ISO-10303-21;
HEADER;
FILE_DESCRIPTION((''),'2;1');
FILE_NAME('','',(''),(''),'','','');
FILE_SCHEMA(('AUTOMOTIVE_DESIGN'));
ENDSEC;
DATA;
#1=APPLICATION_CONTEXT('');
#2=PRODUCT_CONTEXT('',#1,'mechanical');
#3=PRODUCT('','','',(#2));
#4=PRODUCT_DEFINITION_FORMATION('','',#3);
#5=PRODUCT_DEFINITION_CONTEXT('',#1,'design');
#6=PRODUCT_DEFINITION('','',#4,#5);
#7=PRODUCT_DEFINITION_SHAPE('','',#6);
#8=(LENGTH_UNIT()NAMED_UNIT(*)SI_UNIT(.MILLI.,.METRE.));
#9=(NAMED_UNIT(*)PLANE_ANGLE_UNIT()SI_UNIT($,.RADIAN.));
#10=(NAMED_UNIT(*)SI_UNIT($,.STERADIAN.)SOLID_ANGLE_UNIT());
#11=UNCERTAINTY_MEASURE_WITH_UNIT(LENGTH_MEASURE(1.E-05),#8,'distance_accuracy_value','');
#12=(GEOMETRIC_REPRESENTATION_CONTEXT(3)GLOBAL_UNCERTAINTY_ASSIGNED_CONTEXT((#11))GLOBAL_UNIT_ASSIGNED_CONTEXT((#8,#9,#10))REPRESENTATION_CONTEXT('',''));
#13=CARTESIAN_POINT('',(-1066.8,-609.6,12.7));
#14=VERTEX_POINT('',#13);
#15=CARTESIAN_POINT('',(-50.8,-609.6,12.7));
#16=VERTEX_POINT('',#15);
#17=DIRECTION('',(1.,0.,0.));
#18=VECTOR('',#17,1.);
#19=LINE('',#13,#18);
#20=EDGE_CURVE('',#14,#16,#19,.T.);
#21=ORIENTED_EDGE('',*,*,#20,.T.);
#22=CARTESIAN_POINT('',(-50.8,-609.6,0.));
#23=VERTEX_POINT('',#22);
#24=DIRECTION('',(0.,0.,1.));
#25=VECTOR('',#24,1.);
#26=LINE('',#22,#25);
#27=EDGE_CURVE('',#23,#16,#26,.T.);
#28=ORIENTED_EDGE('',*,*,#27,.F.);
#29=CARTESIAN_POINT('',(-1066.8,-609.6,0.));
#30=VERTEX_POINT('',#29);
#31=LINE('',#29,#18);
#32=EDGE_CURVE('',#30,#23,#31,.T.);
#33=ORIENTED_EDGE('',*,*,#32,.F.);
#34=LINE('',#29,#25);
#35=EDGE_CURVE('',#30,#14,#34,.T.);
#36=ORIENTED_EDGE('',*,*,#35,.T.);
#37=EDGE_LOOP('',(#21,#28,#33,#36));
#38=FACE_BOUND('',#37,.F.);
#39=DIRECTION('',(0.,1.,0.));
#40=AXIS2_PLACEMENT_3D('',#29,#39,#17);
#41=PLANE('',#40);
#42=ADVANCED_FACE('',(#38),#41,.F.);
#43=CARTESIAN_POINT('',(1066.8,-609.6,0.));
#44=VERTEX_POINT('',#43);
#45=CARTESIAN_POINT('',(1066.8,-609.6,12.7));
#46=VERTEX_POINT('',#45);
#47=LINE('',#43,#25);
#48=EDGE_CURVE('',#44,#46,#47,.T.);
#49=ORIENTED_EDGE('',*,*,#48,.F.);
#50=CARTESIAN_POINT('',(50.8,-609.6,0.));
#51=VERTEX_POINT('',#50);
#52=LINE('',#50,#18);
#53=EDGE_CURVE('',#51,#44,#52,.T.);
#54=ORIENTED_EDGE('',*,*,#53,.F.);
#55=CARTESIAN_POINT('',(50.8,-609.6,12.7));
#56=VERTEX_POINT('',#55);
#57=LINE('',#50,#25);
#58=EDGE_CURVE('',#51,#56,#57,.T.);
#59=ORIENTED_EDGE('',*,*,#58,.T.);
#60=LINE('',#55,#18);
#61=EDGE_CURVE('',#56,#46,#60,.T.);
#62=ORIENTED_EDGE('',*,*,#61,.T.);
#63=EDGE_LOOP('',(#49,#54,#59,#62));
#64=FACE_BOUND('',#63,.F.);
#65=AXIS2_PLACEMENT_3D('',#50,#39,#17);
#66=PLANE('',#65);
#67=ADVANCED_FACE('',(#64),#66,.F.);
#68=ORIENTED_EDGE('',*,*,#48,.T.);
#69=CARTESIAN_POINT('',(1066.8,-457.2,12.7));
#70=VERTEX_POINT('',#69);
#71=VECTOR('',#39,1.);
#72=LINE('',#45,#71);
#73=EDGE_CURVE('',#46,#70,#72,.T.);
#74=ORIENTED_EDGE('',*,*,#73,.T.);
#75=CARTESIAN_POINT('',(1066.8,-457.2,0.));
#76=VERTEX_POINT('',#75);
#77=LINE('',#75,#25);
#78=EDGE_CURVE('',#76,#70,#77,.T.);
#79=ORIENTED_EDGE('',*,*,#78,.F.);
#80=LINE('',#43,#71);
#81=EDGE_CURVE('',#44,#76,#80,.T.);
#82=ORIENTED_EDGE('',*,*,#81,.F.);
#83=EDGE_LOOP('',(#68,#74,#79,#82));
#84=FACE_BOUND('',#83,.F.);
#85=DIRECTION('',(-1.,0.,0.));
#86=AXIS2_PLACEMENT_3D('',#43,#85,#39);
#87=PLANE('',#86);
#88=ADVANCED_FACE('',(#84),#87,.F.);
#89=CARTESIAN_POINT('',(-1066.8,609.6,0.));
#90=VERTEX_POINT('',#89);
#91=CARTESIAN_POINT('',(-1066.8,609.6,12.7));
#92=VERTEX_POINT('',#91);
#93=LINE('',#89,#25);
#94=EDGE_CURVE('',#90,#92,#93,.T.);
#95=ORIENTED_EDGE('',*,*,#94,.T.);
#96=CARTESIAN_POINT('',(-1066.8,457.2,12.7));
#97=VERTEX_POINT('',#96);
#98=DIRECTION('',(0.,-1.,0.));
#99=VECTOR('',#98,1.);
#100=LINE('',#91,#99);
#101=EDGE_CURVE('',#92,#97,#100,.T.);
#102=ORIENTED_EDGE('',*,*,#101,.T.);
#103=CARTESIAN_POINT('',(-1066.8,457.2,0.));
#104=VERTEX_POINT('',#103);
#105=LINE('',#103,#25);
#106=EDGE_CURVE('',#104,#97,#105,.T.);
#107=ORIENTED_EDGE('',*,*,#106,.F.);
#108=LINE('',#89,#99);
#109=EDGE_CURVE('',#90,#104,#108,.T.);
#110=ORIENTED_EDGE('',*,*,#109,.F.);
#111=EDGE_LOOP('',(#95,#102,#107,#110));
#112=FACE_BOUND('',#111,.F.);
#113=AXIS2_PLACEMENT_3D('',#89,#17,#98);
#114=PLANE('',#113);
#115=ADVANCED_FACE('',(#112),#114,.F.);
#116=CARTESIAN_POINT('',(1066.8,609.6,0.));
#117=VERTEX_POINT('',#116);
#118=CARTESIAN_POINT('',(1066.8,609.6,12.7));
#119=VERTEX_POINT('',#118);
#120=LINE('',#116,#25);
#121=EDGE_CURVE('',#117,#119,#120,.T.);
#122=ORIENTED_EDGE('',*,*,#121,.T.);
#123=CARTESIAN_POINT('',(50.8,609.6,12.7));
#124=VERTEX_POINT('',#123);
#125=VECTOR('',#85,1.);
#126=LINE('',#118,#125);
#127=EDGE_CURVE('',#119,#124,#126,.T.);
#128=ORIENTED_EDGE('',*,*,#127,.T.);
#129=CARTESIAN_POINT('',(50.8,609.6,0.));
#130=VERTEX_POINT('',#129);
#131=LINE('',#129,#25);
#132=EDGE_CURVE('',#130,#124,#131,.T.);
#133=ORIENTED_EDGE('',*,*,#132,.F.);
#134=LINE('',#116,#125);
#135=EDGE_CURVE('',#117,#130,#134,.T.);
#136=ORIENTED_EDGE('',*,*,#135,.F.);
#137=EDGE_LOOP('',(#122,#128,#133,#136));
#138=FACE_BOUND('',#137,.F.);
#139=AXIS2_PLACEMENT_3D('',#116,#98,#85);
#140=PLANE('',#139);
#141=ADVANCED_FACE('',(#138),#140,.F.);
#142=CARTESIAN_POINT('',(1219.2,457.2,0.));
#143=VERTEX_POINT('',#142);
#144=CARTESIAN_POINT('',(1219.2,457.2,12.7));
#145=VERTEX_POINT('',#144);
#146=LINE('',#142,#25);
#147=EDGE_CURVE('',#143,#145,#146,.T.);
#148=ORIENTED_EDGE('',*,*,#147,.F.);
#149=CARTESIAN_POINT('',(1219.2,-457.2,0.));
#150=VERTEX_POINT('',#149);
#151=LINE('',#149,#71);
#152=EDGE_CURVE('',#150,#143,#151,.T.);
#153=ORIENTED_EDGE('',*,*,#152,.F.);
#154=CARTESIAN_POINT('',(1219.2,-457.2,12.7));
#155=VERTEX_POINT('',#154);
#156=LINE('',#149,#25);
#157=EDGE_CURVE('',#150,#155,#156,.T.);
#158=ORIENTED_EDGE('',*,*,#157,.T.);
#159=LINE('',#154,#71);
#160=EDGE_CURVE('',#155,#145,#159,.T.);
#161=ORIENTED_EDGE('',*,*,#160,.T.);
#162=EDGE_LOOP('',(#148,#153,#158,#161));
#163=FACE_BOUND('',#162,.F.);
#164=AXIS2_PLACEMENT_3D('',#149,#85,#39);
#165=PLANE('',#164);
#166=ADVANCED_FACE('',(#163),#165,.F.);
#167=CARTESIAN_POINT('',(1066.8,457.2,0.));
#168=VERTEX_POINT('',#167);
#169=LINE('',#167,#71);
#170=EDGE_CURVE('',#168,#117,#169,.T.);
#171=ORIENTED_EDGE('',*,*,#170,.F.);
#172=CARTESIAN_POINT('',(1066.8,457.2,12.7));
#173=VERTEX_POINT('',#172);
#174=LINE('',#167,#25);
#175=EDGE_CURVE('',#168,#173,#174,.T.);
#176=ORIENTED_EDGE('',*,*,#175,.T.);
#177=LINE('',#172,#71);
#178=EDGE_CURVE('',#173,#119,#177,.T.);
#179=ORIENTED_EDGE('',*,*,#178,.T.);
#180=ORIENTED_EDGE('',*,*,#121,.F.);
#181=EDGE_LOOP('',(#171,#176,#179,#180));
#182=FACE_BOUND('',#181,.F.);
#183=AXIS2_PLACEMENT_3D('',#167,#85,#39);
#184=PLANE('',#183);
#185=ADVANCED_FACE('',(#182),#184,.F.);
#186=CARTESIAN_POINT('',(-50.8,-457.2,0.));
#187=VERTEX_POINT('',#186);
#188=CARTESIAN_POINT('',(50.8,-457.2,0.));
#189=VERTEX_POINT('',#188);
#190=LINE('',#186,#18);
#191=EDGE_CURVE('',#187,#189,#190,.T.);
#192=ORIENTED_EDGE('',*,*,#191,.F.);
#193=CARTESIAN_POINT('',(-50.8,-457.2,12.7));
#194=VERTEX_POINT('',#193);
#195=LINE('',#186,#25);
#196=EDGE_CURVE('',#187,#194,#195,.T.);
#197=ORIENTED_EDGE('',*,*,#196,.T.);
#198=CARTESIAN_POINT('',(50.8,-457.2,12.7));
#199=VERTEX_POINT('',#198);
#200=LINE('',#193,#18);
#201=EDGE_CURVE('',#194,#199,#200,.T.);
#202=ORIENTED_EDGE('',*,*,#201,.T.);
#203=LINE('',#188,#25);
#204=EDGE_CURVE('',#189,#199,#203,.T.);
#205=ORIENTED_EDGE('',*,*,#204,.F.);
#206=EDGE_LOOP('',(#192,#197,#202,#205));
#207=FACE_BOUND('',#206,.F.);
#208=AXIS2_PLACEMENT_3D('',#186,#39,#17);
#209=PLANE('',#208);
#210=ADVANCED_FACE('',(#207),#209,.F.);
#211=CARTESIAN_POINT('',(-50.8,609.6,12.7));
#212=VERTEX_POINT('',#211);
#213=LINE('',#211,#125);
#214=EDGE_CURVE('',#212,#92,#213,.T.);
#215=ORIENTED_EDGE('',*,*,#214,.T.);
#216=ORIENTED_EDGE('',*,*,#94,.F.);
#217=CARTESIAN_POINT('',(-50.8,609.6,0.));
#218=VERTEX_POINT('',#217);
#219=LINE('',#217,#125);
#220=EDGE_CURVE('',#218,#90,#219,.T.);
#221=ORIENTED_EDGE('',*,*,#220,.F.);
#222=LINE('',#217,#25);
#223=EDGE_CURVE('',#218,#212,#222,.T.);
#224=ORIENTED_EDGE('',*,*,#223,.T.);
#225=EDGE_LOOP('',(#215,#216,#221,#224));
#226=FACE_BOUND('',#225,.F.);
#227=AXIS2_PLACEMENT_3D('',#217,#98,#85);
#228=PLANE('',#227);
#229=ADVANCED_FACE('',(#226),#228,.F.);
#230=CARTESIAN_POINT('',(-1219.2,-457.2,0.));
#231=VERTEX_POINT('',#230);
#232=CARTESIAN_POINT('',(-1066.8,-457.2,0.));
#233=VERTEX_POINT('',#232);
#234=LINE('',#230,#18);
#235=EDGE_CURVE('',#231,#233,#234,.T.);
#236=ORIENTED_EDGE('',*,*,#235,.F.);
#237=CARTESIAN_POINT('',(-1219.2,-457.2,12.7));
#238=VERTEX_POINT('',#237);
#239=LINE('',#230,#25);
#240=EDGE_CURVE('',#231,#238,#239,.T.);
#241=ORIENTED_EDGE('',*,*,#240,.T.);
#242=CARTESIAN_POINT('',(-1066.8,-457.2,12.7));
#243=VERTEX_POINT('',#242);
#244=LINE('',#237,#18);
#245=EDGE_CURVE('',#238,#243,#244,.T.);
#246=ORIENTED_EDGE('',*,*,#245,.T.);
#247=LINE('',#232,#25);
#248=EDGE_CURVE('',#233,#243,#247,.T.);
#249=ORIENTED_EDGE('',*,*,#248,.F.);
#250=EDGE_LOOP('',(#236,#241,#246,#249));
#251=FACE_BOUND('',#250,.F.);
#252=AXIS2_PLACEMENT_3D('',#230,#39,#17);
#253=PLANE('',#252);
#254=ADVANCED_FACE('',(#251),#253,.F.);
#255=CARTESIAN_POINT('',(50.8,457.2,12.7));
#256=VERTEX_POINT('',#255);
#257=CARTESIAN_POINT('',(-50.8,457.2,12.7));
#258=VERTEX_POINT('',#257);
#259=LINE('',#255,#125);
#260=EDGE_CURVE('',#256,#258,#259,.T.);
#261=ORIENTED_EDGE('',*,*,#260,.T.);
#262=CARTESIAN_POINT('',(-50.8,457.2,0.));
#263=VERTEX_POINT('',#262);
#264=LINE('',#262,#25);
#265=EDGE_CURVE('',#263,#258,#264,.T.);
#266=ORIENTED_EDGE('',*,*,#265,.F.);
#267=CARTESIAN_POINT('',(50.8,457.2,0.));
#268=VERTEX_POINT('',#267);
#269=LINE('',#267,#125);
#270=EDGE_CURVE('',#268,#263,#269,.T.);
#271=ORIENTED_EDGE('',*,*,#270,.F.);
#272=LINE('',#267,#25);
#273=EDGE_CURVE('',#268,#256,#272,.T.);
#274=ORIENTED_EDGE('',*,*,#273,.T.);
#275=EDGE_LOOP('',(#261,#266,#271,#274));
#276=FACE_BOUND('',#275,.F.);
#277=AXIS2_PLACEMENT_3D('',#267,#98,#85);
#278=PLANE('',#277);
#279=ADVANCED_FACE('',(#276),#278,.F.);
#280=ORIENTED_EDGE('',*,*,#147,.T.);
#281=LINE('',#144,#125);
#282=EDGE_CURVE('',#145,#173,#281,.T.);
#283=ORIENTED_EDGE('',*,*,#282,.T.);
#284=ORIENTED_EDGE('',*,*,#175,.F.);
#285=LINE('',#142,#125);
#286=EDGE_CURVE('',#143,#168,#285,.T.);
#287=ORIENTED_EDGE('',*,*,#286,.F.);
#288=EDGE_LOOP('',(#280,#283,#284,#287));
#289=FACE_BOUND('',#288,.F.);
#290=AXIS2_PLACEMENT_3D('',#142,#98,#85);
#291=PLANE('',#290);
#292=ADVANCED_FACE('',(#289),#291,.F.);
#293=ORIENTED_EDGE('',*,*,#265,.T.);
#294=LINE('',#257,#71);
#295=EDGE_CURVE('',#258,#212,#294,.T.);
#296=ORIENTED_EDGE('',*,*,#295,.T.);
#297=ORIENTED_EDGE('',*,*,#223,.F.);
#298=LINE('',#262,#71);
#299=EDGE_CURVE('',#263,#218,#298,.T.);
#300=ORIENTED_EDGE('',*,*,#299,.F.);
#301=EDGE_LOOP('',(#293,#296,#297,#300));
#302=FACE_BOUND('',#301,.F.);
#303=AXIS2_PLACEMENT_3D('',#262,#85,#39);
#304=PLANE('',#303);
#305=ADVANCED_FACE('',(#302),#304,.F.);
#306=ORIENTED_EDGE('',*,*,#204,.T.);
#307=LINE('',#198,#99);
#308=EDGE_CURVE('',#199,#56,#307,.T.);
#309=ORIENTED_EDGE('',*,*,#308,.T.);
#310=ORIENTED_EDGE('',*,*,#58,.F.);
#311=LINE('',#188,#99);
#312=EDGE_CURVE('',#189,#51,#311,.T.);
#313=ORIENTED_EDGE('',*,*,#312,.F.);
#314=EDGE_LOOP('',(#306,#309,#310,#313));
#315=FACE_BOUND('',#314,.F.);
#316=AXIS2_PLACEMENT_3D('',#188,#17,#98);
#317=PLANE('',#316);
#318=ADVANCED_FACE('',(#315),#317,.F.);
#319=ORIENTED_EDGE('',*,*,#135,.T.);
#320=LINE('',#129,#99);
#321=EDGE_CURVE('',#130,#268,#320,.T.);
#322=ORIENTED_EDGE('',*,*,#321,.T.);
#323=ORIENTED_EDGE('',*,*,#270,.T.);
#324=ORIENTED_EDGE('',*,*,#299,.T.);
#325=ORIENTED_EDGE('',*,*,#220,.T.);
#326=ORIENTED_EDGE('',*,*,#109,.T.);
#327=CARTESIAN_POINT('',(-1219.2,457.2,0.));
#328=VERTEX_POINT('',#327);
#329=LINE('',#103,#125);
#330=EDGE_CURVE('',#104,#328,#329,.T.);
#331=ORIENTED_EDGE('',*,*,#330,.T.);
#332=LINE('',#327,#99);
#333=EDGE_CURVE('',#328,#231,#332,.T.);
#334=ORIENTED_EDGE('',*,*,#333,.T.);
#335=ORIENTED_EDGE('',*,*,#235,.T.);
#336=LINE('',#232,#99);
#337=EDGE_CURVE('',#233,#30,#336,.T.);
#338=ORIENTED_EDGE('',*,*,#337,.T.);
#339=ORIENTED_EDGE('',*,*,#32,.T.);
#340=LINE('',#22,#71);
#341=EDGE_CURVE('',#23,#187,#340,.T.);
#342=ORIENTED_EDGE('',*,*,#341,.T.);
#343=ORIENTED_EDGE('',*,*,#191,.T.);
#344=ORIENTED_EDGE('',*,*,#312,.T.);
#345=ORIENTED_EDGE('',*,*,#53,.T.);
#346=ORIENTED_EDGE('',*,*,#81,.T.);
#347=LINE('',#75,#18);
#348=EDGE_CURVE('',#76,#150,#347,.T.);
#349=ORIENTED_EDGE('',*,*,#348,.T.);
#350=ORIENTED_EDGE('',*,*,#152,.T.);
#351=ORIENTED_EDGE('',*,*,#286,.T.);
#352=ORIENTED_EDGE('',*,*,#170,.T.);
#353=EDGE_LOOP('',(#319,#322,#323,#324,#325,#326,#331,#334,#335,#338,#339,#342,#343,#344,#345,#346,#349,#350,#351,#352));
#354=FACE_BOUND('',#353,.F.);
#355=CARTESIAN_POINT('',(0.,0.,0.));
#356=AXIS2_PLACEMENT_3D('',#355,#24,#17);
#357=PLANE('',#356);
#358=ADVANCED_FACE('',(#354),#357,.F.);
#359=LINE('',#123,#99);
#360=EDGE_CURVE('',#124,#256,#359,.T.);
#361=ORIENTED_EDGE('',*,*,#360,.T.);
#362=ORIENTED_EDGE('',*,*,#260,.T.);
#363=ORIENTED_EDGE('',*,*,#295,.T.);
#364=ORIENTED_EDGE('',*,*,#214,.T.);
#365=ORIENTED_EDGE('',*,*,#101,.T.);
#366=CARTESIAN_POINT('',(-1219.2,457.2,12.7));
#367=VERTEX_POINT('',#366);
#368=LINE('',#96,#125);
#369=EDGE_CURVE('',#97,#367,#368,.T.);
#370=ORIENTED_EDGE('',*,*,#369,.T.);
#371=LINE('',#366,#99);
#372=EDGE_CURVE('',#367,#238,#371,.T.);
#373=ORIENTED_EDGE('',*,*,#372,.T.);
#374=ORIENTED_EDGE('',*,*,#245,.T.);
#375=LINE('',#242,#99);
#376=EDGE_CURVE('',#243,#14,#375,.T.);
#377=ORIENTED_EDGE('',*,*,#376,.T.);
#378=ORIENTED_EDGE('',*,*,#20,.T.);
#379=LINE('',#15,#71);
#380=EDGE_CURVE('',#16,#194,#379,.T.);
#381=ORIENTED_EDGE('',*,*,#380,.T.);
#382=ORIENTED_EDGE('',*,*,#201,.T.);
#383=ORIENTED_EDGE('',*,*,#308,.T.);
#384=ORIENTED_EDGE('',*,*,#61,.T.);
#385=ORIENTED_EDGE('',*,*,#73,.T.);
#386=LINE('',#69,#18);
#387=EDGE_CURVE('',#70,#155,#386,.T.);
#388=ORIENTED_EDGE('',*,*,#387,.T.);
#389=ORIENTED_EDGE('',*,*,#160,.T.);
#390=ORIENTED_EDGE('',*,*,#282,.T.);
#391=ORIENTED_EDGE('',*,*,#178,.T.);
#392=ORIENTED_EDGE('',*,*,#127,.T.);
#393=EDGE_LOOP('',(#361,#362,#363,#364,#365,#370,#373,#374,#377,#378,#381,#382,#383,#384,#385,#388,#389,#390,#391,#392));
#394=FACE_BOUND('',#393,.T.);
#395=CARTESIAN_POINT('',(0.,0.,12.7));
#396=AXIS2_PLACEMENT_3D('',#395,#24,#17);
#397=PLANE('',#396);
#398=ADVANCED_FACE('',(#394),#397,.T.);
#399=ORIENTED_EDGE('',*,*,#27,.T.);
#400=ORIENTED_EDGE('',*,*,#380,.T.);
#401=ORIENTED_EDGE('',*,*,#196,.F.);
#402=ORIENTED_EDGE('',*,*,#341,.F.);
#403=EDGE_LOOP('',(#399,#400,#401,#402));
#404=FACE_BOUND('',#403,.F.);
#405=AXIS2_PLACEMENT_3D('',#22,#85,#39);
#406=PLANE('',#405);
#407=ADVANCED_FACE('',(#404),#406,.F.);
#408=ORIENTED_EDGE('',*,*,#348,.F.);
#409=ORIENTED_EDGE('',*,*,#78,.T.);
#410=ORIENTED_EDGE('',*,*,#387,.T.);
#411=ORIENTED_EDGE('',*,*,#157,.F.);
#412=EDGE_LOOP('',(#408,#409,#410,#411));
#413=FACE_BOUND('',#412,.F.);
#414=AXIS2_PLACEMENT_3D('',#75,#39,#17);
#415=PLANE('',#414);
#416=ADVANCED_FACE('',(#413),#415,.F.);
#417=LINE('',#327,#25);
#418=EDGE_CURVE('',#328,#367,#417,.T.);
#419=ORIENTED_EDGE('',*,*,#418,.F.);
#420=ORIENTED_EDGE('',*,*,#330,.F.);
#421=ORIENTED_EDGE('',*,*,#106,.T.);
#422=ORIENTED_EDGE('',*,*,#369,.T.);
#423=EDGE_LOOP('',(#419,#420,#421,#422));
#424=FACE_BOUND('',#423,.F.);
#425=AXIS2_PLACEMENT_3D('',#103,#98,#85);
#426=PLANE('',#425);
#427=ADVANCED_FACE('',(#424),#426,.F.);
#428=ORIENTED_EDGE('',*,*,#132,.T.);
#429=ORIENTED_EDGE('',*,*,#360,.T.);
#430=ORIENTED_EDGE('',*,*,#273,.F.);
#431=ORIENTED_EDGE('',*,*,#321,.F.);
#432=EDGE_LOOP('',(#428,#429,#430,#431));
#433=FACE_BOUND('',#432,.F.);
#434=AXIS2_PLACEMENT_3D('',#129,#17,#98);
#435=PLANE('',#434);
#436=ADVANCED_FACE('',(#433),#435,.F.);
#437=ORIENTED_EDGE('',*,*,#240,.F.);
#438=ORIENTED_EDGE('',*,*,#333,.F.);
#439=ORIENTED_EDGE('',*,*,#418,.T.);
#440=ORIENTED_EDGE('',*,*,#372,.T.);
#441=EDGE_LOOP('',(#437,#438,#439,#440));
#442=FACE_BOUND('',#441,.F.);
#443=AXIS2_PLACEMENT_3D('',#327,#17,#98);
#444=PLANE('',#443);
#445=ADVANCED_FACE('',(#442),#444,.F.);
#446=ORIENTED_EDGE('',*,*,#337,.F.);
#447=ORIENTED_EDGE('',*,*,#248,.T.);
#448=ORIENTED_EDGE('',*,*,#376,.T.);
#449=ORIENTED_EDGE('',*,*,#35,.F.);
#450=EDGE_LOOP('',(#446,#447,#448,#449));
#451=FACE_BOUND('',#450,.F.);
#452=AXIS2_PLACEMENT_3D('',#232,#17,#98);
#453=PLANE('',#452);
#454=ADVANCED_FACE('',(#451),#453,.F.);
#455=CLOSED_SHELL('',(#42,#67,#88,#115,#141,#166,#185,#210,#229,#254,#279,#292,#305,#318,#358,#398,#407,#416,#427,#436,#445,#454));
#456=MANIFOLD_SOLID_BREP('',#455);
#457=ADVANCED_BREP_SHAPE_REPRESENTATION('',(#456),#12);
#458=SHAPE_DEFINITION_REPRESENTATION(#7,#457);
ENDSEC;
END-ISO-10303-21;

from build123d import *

# Parameters (mm, degrees)
F2_DEPTH = 12.7


with BuildPart() as f2:
    # F0 (on Top) → F2 (new body)
    with BuildSketch(Plane.XY):
        Polygon((-1066.8, -457.2), (-1066.8, -609.6), (-50.8, -609.6), (-50.8, -457.2), (0, -457.2), (50.8, -457.2), (50.8, -609.6), (1066.8, -609.6), (1066.8, -457.2), (1219.2, -457.2), (1219.2, 457.2), (1066.8, 457.2), (1066.8, 609.6), (50.8, 609.6), (50.8, 457.2), (0, 457.2), (-50.8, 457.2), (-50.8, 609.6), (-1066.8, 609.6), (-1066.8, 457.2), (-1219.2, 457.2), (-1219.2, -457.2), align=None)
    extrude(amount=F2_DEPTH)


solid = f2.part
